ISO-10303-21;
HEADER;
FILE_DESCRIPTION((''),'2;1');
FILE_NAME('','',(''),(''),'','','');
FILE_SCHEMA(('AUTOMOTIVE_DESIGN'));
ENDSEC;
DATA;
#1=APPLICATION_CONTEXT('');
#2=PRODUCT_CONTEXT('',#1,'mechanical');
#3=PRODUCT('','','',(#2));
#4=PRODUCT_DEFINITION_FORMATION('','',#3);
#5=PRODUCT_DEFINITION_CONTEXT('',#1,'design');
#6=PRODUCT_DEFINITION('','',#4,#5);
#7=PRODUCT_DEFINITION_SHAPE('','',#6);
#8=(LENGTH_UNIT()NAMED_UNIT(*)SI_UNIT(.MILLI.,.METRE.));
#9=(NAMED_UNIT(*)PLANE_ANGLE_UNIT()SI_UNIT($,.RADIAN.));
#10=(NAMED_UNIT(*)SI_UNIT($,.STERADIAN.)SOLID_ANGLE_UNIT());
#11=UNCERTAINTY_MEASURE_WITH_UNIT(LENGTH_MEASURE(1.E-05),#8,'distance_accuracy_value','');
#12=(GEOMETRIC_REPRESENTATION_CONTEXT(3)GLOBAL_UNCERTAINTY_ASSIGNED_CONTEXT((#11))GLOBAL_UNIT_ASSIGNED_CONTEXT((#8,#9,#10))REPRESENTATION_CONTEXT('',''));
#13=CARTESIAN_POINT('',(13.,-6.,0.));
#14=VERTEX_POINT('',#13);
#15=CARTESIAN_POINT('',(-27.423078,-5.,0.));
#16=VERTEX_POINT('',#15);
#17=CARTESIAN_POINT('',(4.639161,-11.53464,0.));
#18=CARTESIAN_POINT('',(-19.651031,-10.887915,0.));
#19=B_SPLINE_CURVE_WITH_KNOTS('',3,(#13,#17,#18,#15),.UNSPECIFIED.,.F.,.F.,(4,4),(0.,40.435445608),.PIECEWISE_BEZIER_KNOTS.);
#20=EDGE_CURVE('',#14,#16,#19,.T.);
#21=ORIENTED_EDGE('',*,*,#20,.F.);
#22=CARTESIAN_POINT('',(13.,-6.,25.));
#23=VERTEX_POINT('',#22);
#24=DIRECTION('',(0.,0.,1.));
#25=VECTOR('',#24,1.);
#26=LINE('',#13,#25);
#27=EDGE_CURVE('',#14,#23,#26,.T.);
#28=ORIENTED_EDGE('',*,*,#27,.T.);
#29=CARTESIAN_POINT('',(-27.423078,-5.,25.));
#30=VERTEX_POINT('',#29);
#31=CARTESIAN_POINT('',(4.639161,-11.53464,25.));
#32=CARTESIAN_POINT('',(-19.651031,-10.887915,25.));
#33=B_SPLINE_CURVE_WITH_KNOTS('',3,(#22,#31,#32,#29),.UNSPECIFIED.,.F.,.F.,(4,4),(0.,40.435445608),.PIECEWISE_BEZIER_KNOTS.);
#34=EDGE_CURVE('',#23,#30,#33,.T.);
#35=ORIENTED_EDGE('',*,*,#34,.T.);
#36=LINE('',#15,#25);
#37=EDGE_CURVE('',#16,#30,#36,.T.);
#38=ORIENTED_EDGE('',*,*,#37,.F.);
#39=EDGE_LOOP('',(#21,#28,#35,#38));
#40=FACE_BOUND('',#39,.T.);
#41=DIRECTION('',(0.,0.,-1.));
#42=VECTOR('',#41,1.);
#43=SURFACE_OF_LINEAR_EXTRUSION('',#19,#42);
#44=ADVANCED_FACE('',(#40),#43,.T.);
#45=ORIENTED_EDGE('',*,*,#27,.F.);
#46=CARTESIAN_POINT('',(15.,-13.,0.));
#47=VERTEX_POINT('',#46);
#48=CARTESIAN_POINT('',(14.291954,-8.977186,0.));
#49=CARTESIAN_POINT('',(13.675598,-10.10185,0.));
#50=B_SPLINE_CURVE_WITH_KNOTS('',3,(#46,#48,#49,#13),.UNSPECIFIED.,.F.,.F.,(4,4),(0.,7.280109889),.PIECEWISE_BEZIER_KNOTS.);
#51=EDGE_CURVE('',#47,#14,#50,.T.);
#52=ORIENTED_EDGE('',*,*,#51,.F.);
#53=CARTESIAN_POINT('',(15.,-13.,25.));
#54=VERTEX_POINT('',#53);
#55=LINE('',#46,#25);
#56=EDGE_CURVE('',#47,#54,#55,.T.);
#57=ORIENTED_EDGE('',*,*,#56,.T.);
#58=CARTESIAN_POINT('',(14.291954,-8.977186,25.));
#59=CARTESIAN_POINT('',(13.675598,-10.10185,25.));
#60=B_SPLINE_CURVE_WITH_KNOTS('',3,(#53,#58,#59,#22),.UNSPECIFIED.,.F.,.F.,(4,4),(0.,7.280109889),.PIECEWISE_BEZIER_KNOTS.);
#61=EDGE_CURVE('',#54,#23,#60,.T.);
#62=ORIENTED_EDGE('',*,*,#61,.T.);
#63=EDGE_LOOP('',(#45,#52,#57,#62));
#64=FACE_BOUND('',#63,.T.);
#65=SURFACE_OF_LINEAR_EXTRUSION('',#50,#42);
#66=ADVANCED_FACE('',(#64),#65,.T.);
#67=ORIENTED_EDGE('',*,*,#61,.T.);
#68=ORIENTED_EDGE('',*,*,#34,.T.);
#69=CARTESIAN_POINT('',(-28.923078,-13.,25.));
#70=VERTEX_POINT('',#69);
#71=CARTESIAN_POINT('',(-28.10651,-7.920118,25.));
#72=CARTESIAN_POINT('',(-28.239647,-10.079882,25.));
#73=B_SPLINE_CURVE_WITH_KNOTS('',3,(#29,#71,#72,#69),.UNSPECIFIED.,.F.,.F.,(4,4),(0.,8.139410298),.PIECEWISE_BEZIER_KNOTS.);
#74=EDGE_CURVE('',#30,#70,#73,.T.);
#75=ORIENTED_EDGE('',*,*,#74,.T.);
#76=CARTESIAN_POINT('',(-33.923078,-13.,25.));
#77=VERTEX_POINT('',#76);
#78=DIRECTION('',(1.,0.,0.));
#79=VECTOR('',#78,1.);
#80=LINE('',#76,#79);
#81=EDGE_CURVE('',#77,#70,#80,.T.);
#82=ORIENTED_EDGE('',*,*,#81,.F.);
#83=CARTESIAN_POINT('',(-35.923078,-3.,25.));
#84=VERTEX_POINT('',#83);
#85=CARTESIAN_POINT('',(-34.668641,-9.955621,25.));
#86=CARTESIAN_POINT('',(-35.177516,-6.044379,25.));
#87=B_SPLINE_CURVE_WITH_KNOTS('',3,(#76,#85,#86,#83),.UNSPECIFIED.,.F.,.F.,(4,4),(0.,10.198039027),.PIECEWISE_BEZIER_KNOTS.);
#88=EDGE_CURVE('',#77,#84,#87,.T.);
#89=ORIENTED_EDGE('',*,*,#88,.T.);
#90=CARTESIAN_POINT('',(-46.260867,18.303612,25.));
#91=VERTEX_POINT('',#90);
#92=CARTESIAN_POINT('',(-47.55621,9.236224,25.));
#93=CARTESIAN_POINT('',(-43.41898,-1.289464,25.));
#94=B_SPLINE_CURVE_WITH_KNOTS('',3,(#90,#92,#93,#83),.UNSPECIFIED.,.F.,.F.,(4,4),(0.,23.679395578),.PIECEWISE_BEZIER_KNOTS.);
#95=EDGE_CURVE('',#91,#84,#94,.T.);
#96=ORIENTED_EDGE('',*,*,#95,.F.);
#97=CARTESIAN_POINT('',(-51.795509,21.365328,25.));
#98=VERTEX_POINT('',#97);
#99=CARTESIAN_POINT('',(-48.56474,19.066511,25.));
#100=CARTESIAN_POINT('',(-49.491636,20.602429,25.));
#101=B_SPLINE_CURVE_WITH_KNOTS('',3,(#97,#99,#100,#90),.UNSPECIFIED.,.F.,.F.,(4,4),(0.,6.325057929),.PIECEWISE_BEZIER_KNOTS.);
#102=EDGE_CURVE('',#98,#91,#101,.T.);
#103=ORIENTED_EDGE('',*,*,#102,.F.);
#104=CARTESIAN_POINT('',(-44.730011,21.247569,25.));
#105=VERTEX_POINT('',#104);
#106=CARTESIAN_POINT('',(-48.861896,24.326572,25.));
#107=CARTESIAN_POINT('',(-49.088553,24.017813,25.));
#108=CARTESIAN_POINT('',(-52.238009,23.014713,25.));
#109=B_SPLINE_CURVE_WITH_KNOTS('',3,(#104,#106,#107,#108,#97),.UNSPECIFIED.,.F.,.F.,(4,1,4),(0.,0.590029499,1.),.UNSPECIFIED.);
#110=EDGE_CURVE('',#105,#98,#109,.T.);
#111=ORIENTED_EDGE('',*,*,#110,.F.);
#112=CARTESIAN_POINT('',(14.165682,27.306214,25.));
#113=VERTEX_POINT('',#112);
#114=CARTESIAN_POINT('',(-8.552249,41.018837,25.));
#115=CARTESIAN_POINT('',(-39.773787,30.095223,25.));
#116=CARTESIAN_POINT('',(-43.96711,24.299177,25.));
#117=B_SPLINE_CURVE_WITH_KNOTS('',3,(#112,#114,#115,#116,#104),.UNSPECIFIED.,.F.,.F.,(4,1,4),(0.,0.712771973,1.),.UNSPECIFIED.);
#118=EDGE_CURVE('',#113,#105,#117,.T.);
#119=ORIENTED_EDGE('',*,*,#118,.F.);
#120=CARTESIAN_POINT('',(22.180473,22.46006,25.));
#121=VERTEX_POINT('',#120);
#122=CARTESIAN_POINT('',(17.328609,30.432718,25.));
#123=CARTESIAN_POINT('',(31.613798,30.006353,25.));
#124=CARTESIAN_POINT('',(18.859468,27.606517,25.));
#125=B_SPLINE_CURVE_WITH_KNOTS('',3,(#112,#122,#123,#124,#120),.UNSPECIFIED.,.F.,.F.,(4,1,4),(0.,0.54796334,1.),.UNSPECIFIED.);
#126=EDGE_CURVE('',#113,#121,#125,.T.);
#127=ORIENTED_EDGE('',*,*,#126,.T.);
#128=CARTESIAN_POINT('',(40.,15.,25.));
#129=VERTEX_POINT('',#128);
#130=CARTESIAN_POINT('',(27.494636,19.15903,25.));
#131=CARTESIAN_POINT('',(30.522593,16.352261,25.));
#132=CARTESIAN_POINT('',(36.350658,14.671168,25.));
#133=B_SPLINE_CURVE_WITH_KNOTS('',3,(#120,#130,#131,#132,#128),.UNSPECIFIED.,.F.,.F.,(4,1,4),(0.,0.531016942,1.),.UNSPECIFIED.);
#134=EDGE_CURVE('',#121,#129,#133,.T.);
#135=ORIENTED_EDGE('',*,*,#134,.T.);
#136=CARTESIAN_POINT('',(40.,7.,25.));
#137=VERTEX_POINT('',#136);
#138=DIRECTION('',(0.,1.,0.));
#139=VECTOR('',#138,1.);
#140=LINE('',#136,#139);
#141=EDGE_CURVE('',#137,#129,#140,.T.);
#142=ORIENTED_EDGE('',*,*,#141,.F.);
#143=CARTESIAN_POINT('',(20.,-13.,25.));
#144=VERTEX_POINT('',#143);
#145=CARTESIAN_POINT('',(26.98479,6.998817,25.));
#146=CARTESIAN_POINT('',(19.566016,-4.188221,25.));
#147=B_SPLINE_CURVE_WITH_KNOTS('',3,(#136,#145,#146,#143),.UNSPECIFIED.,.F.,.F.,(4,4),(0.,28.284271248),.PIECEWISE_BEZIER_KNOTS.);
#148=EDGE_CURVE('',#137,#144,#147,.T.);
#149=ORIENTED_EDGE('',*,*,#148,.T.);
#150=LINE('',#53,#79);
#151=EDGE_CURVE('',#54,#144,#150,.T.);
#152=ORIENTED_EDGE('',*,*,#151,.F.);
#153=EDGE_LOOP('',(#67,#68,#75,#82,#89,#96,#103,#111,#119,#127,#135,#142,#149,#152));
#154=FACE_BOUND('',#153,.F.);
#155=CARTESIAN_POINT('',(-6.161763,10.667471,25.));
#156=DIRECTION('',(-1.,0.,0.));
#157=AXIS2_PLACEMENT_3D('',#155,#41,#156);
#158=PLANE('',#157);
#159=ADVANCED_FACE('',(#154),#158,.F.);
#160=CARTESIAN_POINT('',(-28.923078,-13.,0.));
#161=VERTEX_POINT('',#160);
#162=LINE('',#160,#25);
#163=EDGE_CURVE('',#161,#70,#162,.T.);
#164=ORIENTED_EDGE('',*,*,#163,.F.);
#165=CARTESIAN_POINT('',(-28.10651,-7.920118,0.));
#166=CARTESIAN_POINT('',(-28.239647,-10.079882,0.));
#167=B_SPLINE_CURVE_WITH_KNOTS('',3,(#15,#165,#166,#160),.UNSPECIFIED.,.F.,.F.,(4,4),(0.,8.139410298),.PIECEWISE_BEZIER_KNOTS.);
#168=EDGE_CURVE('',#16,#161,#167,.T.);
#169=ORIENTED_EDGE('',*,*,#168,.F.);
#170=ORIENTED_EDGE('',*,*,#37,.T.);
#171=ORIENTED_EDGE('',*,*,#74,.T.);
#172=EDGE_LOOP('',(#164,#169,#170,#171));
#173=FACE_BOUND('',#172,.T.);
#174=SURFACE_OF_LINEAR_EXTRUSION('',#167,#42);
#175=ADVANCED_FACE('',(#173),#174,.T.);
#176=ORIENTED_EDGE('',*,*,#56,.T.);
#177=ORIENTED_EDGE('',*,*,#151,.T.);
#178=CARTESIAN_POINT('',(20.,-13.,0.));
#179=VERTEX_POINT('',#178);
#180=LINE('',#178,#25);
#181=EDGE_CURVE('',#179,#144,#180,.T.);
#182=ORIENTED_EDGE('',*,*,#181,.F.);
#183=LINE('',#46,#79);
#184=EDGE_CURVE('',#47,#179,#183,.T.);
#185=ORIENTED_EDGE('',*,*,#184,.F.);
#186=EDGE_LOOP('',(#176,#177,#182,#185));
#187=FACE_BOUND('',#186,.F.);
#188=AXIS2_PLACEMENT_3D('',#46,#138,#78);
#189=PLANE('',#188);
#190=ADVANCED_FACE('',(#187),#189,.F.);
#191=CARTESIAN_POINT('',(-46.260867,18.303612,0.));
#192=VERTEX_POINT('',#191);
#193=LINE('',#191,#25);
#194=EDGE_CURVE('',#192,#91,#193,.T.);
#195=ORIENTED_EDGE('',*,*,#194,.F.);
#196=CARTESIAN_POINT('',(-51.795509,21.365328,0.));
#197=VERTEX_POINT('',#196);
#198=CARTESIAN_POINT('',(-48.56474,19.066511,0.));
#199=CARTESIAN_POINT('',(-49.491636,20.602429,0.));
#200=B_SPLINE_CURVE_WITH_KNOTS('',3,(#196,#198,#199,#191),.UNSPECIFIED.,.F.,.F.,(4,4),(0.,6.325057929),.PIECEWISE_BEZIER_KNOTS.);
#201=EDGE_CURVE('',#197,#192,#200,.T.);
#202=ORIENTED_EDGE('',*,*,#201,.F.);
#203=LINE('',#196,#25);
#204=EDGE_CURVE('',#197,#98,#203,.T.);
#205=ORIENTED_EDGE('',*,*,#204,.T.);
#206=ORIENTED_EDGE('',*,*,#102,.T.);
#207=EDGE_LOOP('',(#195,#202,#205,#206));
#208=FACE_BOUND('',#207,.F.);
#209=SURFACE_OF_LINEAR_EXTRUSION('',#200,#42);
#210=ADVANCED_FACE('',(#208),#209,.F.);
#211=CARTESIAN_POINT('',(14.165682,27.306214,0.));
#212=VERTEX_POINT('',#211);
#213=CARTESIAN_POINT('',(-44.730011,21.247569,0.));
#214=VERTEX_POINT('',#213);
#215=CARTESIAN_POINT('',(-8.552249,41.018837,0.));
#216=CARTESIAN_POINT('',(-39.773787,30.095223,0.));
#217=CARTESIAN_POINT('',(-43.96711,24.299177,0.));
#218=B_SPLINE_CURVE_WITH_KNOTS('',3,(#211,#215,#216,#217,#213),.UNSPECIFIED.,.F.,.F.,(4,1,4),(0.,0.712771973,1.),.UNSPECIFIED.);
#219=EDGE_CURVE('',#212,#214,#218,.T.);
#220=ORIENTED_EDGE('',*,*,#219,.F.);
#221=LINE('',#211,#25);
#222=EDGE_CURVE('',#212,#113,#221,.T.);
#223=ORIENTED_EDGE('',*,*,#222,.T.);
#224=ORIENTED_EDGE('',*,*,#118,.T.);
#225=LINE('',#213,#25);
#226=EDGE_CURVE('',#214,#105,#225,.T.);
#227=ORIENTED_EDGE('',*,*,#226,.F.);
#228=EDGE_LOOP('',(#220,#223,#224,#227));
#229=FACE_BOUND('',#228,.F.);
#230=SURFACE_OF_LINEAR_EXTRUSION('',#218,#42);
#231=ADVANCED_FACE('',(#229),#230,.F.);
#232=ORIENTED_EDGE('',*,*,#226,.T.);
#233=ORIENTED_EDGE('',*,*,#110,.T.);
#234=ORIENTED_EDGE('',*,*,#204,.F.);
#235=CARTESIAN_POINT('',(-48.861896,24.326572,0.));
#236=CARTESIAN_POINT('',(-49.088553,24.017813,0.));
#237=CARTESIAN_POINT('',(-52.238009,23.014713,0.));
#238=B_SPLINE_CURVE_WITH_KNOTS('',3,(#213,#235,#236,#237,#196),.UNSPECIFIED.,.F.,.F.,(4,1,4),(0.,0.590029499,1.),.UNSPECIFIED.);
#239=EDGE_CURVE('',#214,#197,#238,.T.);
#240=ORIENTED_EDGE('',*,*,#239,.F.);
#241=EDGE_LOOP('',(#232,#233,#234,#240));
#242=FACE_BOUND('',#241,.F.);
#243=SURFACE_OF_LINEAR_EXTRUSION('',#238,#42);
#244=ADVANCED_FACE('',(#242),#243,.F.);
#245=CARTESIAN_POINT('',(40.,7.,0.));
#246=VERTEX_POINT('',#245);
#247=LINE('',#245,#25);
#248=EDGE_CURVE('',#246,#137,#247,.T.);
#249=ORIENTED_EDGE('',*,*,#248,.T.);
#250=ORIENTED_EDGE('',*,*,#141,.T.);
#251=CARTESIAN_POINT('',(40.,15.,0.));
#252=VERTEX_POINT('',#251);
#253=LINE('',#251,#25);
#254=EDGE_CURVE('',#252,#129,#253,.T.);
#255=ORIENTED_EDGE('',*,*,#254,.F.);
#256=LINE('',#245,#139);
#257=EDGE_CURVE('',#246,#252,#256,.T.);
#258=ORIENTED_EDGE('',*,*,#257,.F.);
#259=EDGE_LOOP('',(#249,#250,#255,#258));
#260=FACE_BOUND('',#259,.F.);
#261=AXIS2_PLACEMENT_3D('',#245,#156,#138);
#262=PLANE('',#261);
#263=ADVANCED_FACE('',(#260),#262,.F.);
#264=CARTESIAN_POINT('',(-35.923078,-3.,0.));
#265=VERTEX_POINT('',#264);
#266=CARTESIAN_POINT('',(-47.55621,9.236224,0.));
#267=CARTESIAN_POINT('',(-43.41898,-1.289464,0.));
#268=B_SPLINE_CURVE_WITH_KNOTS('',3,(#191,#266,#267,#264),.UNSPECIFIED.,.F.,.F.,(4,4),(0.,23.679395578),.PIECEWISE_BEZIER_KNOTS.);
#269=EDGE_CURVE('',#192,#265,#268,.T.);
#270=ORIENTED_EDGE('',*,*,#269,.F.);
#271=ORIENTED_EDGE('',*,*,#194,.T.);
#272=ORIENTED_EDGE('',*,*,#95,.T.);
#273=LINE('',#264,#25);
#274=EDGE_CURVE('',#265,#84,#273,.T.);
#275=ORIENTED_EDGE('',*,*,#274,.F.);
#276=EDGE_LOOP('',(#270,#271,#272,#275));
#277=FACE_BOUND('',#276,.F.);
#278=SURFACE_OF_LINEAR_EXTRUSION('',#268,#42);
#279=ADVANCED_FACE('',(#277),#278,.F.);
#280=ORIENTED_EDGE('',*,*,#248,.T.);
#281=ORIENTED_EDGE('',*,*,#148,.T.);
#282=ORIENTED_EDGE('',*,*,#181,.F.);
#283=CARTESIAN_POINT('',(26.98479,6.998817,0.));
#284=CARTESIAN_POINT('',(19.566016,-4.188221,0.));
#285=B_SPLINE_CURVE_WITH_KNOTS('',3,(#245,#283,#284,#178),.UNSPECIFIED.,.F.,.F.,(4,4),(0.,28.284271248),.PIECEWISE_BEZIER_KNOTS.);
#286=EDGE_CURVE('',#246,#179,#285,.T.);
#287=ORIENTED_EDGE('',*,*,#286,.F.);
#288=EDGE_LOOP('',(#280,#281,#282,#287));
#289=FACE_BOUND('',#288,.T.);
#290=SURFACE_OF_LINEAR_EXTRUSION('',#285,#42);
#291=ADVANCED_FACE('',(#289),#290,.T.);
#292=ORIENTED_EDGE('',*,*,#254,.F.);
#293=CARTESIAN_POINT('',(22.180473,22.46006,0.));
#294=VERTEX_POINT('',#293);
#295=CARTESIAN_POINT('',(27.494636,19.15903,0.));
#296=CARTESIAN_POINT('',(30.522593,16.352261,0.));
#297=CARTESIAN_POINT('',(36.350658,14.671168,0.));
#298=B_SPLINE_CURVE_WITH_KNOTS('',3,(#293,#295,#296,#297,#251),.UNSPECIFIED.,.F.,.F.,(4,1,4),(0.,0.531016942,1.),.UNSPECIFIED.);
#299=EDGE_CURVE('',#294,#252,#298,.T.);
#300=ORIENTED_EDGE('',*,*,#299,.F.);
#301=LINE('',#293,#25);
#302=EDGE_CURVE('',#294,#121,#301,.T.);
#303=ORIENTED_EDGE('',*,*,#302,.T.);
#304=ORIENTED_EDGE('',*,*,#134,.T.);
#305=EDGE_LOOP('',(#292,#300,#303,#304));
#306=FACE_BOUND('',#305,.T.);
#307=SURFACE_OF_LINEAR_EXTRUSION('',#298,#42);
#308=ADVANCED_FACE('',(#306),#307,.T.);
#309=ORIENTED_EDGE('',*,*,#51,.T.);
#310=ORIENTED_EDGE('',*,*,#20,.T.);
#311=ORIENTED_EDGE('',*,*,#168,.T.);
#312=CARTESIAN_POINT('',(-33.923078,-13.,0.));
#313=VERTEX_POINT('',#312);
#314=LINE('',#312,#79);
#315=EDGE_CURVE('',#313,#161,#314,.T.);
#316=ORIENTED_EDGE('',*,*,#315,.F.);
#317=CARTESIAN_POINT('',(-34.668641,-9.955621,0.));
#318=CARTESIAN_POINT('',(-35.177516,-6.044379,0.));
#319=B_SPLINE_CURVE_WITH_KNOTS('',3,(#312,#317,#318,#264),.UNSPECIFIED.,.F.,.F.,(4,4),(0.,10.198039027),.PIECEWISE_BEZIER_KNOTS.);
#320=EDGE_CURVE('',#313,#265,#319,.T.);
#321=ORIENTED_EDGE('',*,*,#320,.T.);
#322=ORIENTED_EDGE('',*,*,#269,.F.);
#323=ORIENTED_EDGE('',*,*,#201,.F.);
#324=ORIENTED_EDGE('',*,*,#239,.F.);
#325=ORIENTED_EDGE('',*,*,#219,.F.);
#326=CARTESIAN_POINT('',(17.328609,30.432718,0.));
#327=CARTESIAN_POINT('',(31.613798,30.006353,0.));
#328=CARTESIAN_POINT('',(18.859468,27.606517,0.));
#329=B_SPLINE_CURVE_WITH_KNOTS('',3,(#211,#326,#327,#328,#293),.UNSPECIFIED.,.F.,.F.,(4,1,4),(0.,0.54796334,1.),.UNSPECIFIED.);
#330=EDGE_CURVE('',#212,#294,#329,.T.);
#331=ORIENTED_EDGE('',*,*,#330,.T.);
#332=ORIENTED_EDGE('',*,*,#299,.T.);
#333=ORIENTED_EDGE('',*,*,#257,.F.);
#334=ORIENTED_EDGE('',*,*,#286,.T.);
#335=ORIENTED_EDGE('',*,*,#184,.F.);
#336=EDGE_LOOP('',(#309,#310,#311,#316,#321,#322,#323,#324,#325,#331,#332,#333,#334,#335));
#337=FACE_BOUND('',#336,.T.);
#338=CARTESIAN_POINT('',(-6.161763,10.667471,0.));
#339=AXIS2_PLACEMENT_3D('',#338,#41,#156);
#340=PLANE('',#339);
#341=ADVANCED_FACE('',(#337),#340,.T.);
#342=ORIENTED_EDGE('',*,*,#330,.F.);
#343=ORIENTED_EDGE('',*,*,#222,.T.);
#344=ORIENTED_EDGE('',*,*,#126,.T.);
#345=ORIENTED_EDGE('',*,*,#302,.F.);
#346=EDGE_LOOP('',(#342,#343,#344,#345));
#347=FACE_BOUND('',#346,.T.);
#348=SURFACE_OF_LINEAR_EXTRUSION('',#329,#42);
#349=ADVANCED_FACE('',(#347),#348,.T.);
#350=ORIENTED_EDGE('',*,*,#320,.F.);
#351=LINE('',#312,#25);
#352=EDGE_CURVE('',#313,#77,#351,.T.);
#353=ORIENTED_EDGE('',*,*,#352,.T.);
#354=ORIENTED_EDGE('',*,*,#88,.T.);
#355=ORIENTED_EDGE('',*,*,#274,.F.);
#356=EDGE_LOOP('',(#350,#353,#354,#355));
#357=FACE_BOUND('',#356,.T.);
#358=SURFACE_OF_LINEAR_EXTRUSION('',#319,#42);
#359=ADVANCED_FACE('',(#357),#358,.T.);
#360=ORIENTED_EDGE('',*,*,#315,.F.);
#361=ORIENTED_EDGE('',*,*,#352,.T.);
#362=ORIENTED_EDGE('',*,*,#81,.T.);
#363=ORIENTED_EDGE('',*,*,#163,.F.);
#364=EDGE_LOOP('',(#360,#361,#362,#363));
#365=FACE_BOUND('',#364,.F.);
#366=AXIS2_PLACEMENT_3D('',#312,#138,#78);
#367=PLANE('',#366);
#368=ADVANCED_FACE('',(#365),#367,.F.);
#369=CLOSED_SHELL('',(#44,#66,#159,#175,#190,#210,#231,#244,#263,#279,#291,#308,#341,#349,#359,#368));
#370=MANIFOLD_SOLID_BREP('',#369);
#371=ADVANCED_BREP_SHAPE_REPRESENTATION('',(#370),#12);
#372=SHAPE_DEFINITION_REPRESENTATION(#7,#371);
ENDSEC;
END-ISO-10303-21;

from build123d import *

# Parameters (mm, degrees)
F1_DEPTH = 25


with BuildPart() as f1:
    # F0 (on Top) → F1 (new body)
    with BuildSketch(Plane.XY):
        with BuildLine():
            add(Edge.make_bspline(
                [(14.1656817868, 27.306213975), (17.3286087811, 30.4327178746), (31.6137975279, 30.0063532795), (18.8594684005, 27.6065170765), (22.1804734319, 22.4600601941)],
                knots=[0, 0, 0, 0, 0.5479633402, 1, 1, 1, 1], degree=3))
            add(Edge.make_bspline(
                [(14.1656817868, 27.306213975), (-8.5522494737, 41.0188366673), (-39.7737865781, 30.0952229623), (-43.9671095669, 24.2991774614), (-44.7300113738, 21.2475694716)],
                knots=[0, 0, 0, 0, 0.7127719734, 1, 1, 1, 1], degree=3))
            add(Edge.make_bspline(
                [(-44.7300113738, 21.2475694716), (-48.86189571, 24.3265715696), (-49.0885533019, 24.0178126654), (-52.2380086043, 23.0147126637), (-51.7955087125, 21.3653277606)],
                knots=[0, 0, 0, 0, 0.5900294993, 1, 1, 1, 1], degree=3))
            add(Edge.make_bspline(
                [(-51.7955087125, 21.3653277606), (-48.5647395253, 19.0665111877), (-49.4916364551, 20.60242882), (-46.2608672678, 18.3036122471)],
                knots=[0, 0, 0, 0, 6.3250579291, 6.3250579291, 6.3250579291, 6.3250579291], degree=3))
            add(Edge.make_bspline(
                [(-46.2608672678, 18.3036122471), (-47.5562103093, 9.2362239957), (-43.4189804822, -1.28946384), (-35.9230783284, -3)],
                knots=[0, 0, 0, 0, 23.6793955779, 23.6793955779, 23.6793955779, 23.6793955779], degree=3))
            add(Edge.make_bspline(
                [(-33.9230783284, -13), (-34.668640544, -9.9556212891), (-35.1775161127, -6.0443787109), (-35.9230783284, -3)],
                knots=[0, 0, 0, 0, 10.1980390272, 10.1980390272, 10.1980390272, 10.1980390272], degree=3))
            Line((-33.9230783284, -13), (-28.9230783284, -13))
            add(Edge.make_bspline(
                [(-27.4230783284, -5), (-28.1065101524, -7.9201183158), (-28.2396465043, -10.0798816842), (-28.9230783284, -13)],
                knots=[0, 0, 0, 0, 8.139410298, 8.139410298, 8.139410298, 8.139410298], degree=3))
            add(Edge.make_bspline(
                [(13, -6), (4.6391610168, -11.534639582), (-19.6510312557, -10.8879149146), (-27.4230783284, -5)],
                knots=[0, 0, 0, 0, 40.4354456083, 40.4354456083, 40.4354456083, 40.4354456083], degree=3))
            add(Edge.make_bspline(
                [(15, -13), (14.2919536982, -8.9771856461), (13.6755976176, -10.1018498154), (13, -6)],
                knots=[0, 0, 0, 0, 7.2801098893, 7.2801098893, 7.2801098893, 7.2801098893], degree=3))
            Line((15, -13), (20, -13))
            add(Edge.make_bspline(
                [(40, 7), (26.9847903401, 6.9988165051), (19.5660162717, -4.1882214136), (20, -13)],
                knots=[0, 0, 0, 0, 28.2842712475, 28.2842712475, 28.2842712475, 28.2842712475], degree=3))
            Line((40, 7), (40, 15))
            add(Edge.make_bspline(
                [(22.1804734319, 22.4600601941), (27.4946360239, 19.1590298385), (30.5225928081, 16.3522606442), (36.3506581023, 14.6711683593), (40, 15)],
                knots=[0, 0, 0, 0, 0.5310169422, 1, 1, 1, 1], degree=3))
        make_face()
    extrude(amount=F1_DEPTH)


solid = f1.part
